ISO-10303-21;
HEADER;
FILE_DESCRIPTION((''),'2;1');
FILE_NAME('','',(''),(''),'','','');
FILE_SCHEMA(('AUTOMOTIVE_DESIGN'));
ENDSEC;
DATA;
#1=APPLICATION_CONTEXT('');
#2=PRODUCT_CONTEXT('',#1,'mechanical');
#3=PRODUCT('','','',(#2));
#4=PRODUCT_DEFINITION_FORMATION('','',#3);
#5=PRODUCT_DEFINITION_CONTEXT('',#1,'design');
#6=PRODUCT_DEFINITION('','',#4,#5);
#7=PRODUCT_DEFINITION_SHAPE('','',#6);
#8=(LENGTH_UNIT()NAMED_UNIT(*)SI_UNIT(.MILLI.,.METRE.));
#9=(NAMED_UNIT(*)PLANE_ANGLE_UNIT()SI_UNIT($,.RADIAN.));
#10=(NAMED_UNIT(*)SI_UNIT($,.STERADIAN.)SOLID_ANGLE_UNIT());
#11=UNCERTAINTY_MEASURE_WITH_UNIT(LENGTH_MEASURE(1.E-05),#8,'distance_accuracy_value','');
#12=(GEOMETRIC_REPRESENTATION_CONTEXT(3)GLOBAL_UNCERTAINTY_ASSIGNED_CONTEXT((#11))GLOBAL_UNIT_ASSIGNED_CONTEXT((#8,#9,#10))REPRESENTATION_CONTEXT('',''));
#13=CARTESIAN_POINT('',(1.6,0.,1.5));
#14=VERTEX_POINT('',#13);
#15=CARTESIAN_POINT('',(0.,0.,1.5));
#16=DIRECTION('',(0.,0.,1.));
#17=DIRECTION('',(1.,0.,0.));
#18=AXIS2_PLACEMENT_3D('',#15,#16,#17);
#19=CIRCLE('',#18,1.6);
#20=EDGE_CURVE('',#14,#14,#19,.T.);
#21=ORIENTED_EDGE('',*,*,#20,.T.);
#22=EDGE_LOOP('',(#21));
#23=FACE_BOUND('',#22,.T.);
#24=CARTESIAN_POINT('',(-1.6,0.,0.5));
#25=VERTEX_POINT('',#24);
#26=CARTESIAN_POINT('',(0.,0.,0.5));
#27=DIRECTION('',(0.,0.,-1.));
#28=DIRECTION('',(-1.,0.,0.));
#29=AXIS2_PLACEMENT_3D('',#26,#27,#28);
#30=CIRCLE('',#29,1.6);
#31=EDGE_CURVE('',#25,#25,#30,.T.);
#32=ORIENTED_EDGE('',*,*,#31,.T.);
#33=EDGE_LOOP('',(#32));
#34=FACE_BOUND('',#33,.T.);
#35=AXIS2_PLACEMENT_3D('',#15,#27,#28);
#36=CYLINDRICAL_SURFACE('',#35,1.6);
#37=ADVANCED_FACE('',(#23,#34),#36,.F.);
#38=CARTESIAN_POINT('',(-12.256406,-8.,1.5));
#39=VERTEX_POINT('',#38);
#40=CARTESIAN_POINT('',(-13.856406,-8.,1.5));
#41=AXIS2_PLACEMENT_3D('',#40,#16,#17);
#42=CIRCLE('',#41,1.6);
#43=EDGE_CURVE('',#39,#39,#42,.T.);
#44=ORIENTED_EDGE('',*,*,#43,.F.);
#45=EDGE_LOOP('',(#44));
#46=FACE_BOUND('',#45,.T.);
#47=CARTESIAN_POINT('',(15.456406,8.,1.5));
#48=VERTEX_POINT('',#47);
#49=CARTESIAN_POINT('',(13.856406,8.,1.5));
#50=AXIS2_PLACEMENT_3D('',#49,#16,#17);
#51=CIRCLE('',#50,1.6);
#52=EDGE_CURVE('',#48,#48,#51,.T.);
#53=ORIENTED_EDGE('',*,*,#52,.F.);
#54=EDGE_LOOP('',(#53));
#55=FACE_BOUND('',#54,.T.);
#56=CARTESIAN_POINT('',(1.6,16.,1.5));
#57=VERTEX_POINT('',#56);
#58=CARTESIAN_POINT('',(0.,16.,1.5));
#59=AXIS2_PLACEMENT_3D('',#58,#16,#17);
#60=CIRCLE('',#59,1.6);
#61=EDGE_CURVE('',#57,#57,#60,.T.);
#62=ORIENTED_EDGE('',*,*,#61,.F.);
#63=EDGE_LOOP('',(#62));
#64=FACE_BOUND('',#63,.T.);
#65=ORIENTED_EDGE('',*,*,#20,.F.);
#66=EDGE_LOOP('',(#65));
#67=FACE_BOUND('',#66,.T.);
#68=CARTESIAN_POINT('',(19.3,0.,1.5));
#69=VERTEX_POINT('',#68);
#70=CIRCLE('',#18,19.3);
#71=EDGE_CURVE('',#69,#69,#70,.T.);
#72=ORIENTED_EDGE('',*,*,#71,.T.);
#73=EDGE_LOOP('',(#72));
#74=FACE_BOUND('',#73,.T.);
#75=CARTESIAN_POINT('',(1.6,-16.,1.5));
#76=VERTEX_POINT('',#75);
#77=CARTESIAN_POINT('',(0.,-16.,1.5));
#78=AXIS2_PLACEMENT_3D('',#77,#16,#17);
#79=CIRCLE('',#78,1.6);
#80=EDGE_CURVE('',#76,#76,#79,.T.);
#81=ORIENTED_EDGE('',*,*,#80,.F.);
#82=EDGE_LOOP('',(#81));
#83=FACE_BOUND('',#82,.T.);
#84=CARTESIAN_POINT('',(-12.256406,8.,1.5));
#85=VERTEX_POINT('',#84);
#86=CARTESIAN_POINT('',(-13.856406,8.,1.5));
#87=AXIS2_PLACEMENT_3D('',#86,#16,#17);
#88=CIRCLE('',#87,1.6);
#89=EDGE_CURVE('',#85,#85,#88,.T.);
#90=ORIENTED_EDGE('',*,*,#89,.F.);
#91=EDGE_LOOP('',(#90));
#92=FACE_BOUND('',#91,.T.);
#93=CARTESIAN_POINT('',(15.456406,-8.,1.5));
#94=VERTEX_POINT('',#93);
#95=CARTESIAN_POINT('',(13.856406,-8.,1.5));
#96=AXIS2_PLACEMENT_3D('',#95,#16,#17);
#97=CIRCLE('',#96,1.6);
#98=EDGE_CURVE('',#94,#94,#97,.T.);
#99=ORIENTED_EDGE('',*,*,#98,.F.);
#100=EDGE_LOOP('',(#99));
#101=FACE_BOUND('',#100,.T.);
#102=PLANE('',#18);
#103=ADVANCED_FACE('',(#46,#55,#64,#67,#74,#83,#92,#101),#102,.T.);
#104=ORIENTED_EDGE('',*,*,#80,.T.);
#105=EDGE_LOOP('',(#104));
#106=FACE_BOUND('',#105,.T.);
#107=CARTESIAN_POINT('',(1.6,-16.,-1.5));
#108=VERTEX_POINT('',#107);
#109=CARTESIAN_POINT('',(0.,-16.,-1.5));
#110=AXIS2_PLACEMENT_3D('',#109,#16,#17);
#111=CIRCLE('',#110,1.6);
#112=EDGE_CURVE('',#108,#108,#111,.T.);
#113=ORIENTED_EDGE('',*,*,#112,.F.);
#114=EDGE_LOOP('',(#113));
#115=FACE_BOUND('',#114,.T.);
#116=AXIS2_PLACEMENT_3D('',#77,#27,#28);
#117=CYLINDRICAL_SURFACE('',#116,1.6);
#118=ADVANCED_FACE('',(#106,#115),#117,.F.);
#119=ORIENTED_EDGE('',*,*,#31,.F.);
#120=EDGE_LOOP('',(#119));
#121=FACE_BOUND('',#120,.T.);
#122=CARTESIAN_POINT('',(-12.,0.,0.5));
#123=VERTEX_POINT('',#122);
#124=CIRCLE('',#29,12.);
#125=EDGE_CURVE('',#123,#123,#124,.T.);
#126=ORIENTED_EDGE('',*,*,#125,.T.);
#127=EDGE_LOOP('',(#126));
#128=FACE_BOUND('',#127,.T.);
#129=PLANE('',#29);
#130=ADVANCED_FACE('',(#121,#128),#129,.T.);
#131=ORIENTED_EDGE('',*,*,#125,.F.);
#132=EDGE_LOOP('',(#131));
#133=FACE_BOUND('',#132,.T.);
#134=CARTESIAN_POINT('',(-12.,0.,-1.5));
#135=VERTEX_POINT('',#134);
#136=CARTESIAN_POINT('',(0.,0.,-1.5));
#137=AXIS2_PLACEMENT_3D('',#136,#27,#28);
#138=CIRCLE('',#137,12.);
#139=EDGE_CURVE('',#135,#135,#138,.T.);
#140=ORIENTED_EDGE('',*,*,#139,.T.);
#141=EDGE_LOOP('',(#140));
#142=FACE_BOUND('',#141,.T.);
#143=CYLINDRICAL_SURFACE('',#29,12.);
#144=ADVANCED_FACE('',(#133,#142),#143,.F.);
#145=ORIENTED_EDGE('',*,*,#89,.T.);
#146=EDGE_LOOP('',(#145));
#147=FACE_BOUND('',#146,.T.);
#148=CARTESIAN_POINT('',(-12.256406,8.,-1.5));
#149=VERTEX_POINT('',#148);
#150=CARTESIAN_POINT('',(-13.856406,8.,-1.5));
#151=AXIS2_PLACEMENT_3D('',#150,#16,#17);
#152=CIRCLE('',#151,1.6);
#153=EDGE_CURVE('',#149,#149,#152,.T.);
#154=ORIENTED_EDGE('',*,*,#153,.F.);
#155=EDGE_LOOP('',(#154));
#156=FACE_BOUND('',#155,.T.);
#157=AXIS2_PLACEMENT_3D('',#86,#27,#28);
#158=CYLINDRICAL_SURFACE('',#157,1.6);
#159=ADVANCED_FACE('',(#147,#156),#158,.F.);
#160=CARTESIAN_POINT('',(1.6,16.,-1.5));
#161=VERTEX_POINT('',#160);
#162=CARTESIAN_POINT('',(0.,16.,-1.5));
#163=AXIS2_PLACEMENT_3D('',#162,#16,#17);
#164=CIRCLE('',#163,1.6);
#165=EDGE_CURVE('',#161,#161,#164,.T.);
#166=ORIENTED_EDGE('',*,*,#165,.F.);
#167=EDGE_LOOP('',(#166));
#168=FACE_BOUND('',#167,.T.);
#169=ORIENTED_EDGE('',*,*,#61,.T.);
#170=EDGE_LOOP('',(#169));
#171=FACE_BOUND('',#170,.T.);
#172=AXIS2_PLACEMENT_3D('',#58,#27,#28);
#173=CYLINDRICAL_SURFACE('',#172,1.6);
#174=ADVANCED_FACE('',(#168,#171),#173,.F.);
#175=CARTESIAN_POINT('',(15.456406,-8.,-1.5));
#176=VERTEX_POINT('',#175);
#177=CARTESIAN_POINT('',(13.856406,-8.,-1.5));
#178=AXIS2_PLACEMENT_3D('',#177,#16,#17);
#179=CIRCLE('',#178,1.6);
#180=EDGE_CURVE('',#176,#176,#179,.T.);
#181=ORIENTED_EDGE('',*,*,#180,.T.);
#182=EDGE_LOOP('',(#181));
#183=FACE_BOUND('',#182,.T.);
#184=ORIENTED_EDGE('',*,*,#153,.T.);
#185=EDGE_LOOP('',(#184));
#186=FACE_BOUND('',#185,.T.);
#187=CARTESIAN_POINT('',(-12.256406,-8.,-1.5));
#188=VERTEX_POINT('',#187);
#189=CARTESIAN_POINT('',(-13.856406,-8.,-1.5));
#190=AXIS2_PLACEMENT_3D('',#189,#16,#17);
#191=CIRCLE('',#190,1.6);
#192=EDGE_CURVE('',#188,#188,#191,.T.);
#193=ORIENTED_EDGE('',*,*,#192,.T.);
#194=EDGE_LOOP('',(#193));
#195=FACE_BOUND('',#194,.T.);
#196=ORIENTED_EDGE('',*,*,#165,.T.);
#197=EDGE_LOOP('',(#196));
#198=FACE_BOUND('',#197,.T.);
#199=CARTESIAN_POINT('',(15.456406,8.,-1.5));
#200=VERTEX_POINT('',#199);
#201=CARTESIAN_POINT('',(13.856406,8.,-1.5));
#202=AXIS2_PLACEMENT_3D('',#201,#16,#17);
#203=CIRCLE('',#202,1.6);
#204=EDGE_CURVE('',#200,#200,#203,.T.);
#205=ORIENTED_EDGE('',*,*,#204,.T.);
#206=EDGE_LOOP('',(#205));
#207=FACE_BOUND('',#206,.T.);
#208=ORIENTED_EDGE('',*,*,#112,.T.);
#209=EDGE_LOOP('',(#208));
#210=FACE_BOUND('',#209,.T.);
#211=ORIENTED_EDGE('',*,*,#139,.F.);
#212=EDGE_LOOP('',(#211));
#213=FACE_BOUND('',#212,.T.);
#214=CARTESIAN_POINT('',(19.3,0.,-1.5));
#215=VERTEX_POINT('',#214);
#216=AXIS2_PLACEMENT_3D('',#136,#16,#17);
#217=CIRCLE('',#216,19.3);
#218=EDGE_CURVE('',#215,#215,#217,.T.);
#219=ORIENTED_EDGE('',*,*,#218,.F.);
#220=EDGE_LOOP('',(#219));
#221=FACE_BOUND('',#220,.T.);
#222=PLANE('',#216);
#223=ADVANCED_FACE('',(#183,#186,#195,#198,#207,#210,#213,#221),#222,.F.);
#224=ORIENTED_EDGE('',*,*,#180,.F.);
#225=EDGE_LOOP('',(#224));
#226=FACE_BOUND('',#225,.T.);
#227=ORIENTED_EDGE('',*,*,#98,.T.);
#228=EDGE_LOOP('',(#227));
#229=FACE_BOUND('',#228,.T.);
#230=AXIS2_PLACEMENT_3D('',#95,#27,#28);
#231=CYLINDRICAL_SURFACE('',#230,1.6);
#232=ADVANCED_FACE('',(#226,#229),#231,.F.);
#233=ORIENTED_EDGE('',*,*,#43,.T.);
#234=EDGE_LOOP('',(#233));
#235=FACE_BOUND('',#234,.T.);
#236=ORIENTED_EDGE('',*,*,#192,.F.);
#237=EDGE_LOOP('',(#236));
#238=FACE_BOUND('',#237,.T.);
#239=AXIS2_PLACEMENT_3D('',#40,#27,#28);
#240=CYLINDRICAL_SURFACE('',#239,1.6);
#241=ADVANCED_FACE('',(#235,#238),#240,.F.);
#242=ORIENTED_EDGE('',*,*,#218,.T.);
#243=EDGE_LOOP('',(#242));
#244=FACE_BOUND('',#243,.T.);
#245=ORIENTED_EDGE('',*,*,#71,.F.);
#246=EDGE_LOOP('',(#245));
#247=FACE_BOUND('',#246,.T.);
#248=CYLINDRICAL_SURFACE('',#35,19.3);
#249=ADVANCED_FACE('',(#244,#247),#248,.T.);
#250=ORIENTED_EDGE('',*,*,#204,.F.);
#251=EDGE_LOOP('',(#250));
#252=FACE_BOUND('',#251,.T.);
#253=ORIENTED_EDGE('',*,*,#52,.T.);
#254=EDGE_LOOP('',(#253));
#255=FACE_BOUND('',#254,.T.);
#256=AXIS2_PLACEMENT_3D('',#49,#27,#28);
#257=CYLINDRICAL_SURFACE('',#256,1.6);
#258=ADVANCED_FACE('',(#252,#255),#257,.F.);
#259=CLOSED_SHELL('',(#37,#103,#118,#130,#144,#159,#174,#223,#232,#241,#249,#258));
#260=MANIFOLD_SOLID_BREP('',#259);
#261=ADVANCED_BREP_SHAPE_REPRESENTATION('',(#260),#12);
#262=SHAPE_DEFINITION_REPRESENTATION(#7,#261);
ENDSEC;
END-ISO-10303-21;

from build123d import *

# Parameters (mm, degrees)
CROQUIS1_R              = 19.3
CROQUIS1_R_2            = 1.6
SALIENTE_EXTRUIR1_DEPTH = 1.5
CROQUIS2_R              = 12
CROQUIS2_R_2            = 1.6
CORTAR_EXTRUIR1_DEPTH   = 2


with BuildPart() as part:
    # Croquis1 → Saliente-Extruir1 (new, symmetric)
    with BuildSketch(Plane.XY):
        Circle(CROQUIS1_R)
        with Locations((0, 16)):
            Circle(CROQUIS1_R_2, mode=Mode.SUBTRACT)
        Circle(CROQUIS1_R_2, mode=Mode.SUBTRACT)
        with Locations((13.856406461, 8)):
            Circle(CROQUIS1_R_2, mode=Mode.SUBTRACT)
        with Locations((13.856406461, -8)):
            Circle(CROQUIS1_R_2, mode=Mode.SUBTRACT)
        with Locations((0, -16)):
            Circle(CROQUIS1_R_2, mode=Mode.SUBTRACT)
        with Locations((-13.856406461, -8)):
            Circle(CROQUIS1_R_2, mode=Mode.SUBTRACT)
        with Locations((-13.856406461, 8)):
            Circle(CROQUIS1_R_2, mode=Mode.SUBTRACT)
    extrude(amount=SALIENTE_EXTRUIR1_DEPTH, both=True)

    # Croquis2 → Cortar-Extruir1 (cut)
    with BuildSketch(Plane(origin=(0, 0, -1.5), x_dir=(-1, 0, 0), z_dir=(0, 0, -1))):
        Circle(CROQUIS2_R)
        Circle(CROQUIS2_R_2, mode=Mode.SUBTRACT)
    extrude(amount=-CORTAR_EXTRUIR1_DEPTH, mode=Mode.SUBTRACT)


solid = part.part
